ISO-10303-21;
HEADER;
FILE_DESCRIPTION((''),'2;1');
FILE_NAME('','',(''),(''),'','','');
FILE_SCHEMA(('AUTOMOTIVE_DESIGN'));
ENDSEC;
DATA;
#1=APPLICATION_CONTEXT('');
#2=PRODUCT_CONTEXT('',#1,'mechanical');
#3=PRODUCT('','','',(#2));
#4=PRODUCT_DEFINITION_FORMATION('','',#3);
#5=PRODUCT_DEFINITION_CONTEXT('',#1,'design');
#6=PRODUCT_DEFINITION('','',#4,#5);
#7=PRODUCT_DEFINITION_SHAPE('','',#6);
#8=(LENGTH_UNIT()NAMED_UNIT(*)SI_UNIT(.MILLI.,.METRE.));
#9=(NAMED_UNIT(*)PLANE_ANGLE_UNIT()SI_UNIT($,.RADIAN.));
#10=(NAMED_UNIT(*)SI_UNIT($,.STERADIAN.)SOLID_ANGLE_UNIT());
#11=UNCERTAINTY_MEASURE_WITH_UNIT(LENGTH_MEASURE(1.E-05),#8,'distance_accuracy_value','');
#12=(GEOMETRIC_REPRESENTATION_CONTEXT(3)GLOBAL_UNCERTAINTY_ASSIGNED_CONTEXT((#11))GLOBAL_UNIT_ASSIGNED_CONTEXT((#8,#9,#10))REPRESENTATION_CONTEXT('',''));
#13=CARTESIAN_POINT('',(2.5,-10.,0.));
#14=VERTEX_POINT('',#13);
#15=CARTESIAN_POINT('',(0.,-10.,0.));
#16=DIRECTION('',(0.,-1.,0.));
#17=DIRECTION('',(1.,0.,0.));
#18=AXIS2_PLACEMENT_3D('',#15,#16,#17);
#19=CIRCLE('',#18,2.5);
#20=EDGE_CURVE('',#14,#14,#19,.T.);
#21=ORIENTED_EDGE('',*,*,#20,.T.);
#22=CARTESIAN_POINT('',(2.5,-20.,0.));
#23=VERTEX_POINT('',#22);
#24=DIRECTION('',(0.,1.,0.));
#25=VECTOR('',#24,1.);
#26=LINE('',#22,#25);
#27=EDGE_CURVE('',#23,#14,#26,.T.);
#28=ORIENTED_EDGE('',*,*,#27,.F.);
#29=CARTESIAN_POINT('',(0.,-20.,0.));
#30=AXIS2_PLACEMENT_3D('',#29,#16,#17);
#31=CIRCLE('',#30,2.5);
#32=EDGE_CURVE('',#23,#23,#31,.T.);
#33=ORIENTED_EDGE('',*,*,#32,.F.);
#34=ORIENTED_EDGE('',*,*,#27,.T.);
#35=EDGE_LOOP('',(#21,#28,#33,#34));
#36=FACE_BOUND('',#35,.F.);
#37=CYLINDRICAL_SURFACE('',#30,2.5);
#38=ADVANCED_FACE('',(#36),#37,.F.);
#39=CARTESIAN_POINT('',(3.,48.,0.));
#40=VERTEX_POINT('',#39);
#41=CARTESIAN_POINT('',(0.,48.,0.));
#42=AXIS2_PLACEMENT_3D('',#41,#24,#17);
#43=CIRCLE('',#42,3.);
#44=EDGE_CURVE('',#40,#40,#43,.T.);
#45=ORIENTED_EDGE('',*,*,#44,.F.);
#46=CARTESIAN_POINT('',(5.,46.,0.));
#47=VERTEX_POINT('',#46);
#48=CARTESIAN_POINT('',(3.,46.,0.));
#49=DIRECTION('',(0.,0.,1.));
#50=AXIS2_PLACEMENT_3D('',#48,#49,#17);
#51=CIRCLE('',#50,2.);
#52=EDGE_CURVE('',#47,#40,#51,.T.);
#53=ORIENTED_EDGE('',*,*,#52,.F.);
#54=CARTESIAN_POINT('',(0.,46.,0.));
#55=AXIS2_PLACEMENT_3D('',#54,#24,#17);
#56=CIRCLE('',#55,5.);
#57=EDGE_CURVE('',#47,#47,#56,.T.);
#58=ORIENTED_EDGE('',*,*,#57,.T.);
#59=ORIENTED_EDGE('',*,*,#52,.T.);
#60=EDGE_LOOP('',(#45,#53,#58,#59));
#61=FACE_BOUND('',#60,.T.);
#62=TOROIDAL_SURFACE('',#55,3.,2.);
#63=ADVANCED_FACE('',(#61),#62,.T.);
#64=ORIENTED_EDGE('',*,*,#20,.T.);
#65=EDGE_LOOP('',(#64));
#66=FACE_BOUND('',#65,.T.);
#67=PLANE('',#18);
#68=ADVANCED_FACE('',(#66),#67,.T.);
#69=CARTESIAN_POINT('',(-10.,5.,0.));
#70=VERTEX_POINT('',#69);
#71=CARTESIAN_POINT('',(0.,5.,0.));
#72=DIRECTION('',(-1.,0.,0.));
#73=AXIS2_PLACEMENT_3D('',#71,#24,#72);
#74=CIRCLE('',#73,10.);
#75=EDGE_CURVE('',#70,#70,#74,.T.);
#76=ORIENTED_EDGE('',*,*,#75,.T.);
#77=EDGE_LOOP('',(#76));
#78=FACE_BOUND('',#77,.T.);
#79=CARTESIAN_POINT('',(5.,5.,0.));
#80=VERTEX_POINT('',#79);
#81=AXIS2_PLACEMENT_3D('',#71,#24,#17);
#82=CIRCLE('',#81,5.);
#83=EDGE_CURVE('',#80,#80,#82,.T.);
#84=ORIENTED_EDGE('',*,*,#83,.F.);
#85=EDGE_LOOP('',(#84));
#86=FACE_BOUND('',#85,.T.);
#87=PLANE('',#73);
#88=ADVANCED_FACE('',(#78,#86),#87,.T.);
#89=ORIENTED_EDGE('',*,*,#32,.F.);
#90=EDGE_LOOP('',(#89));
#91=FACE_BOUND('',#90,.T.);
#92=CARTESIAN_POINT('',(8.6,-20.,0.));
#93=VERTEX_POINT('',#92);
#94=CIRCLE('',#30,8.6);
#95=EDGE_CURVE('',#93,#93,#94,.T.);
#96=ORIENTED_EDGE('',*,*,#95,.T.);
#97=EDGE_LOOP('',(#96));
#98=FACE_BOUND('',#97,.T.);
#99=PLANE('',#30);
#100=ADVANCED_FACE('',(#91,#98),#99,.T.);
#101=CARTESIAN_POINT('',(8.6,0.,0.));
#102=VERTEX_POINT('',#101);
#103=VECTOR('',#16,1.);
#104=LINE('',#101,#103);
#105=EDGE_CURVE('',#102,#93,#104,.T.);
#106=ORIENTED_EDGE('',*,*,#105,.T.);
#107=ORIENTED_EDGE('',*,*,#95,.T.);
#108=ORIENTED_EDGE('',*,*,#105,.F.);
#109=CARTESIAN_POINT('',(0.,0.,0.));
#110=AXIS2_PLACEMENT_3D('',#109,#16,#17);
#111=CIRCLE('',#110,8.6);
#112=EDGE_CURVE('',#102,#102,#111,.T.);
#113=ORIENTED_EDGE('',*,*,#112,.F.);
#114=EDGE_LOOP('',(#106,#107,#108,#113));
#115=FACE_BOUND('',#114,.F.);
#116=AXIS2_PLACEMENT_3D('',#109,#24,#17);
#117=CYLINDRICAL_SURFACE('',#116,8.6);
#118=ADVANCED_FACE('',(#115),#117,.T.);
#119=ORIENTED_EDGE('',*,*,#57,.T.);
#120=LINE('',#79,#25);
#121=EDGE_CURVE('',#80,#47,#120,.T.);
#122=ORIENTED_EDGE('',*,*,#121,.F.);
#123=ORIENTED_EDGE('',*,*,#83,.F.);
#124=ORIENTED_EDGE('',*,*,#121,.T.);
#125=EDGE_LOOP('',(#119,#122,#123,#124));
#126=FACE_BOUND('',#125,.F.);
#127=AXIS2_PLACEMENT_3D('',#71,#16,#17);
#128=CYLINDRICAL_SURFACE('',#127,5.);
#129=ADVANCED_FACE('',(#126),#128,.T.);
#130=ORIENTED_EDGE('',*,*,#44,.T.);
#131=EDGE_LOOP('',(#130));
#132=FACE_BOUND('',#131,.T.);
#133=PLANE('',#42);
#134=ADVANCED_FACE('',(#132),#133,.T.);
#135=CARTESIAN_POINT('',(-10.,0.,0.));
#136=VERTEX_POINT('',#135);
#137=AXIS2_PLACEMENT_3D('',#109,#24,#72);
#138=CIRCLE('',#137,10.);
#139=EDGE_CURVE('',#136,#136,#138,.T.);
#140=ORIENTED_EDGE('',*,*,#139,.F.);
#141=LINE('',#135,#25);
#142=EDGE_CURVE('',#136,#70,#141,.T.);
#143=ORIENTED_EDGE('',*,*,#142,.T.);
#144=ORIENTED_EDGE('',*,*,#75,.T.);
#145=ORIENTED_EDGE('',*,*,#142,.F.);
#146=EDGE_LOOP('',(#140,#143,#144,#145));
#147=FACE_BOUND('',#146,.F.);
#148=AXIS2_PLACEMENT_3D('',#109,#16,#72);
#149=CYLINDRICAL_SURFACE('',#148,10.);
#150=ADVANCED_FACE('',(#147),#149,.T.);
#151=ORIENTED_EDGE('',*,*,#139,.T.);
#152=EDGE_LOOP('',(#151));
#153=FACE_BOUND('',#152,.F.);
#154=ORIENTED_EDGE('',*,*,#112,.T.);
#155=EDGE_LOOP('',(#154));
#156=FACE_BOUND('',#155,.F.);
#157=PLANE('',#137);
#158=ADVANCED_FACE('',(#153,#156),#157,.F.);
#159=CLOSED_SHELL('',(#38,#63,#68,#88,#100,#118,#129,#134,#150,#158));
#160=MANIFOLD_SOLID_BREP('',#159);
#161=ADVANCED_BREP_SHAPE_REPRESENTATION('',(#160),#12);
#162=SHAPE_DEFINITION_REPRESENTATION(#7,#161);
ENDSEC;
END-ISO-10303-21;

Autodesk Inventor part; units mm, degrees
ref_plane "YZ Plane" through (0, 0, 0) normal (1, 0, 0) x (0, 1, 0)
ref_plane "XZ Plane" through (0, 0, 0) normal (0, 1, 0) x (-1, 0, 0)
ref_plane "XY Plane" through (0, 0, 0) normal (0, 0, 1) x (1, 0, 0)
sketch "Sketch1" plane through (0, 0, 0) normal (0, 1, 0) x (-1, 0, 0)
  circle A0 centre (0, 0) radius 10
  circle A1 centre (0, 0) radius 8.6
extrude "Extrusion1" add sketch "Sketch1" along normal blind 5 contours A0 | A1
sketch "Sketch2" plane through (0, 0, 0) normal (0, -1, 0) x (1, 0, 0)
  circle A0 centre (0, 0) radius 8.6
  circle A1 centre (0, 0) radius 2.5
extrude "Extrusion2" add sketch "Sketch2" along normal blind 20 contours A0 | A1
sketch "Sketch3" plane through (0, -20, 0) normal (0, -1, 0) x (1, 0, 0)
  circle A0 centre (0, 0) radius 2.5
extrude "Extrusion3" cut sketch "Sketch3" against normal blind 10
sketch "Sketch4" plane through (0, 5, 0) normal (0, 1, 0) x (1, 0, 0)
  circle A0 centre (0, 0) radius 5
extrude "Extrusion4" add sketch "Sketch4" along normal blind 43
fillet "Fillet1" radius 2 1 edges at (-5, 48, 0)
properties part number "driven_shaft" material "Gold"
